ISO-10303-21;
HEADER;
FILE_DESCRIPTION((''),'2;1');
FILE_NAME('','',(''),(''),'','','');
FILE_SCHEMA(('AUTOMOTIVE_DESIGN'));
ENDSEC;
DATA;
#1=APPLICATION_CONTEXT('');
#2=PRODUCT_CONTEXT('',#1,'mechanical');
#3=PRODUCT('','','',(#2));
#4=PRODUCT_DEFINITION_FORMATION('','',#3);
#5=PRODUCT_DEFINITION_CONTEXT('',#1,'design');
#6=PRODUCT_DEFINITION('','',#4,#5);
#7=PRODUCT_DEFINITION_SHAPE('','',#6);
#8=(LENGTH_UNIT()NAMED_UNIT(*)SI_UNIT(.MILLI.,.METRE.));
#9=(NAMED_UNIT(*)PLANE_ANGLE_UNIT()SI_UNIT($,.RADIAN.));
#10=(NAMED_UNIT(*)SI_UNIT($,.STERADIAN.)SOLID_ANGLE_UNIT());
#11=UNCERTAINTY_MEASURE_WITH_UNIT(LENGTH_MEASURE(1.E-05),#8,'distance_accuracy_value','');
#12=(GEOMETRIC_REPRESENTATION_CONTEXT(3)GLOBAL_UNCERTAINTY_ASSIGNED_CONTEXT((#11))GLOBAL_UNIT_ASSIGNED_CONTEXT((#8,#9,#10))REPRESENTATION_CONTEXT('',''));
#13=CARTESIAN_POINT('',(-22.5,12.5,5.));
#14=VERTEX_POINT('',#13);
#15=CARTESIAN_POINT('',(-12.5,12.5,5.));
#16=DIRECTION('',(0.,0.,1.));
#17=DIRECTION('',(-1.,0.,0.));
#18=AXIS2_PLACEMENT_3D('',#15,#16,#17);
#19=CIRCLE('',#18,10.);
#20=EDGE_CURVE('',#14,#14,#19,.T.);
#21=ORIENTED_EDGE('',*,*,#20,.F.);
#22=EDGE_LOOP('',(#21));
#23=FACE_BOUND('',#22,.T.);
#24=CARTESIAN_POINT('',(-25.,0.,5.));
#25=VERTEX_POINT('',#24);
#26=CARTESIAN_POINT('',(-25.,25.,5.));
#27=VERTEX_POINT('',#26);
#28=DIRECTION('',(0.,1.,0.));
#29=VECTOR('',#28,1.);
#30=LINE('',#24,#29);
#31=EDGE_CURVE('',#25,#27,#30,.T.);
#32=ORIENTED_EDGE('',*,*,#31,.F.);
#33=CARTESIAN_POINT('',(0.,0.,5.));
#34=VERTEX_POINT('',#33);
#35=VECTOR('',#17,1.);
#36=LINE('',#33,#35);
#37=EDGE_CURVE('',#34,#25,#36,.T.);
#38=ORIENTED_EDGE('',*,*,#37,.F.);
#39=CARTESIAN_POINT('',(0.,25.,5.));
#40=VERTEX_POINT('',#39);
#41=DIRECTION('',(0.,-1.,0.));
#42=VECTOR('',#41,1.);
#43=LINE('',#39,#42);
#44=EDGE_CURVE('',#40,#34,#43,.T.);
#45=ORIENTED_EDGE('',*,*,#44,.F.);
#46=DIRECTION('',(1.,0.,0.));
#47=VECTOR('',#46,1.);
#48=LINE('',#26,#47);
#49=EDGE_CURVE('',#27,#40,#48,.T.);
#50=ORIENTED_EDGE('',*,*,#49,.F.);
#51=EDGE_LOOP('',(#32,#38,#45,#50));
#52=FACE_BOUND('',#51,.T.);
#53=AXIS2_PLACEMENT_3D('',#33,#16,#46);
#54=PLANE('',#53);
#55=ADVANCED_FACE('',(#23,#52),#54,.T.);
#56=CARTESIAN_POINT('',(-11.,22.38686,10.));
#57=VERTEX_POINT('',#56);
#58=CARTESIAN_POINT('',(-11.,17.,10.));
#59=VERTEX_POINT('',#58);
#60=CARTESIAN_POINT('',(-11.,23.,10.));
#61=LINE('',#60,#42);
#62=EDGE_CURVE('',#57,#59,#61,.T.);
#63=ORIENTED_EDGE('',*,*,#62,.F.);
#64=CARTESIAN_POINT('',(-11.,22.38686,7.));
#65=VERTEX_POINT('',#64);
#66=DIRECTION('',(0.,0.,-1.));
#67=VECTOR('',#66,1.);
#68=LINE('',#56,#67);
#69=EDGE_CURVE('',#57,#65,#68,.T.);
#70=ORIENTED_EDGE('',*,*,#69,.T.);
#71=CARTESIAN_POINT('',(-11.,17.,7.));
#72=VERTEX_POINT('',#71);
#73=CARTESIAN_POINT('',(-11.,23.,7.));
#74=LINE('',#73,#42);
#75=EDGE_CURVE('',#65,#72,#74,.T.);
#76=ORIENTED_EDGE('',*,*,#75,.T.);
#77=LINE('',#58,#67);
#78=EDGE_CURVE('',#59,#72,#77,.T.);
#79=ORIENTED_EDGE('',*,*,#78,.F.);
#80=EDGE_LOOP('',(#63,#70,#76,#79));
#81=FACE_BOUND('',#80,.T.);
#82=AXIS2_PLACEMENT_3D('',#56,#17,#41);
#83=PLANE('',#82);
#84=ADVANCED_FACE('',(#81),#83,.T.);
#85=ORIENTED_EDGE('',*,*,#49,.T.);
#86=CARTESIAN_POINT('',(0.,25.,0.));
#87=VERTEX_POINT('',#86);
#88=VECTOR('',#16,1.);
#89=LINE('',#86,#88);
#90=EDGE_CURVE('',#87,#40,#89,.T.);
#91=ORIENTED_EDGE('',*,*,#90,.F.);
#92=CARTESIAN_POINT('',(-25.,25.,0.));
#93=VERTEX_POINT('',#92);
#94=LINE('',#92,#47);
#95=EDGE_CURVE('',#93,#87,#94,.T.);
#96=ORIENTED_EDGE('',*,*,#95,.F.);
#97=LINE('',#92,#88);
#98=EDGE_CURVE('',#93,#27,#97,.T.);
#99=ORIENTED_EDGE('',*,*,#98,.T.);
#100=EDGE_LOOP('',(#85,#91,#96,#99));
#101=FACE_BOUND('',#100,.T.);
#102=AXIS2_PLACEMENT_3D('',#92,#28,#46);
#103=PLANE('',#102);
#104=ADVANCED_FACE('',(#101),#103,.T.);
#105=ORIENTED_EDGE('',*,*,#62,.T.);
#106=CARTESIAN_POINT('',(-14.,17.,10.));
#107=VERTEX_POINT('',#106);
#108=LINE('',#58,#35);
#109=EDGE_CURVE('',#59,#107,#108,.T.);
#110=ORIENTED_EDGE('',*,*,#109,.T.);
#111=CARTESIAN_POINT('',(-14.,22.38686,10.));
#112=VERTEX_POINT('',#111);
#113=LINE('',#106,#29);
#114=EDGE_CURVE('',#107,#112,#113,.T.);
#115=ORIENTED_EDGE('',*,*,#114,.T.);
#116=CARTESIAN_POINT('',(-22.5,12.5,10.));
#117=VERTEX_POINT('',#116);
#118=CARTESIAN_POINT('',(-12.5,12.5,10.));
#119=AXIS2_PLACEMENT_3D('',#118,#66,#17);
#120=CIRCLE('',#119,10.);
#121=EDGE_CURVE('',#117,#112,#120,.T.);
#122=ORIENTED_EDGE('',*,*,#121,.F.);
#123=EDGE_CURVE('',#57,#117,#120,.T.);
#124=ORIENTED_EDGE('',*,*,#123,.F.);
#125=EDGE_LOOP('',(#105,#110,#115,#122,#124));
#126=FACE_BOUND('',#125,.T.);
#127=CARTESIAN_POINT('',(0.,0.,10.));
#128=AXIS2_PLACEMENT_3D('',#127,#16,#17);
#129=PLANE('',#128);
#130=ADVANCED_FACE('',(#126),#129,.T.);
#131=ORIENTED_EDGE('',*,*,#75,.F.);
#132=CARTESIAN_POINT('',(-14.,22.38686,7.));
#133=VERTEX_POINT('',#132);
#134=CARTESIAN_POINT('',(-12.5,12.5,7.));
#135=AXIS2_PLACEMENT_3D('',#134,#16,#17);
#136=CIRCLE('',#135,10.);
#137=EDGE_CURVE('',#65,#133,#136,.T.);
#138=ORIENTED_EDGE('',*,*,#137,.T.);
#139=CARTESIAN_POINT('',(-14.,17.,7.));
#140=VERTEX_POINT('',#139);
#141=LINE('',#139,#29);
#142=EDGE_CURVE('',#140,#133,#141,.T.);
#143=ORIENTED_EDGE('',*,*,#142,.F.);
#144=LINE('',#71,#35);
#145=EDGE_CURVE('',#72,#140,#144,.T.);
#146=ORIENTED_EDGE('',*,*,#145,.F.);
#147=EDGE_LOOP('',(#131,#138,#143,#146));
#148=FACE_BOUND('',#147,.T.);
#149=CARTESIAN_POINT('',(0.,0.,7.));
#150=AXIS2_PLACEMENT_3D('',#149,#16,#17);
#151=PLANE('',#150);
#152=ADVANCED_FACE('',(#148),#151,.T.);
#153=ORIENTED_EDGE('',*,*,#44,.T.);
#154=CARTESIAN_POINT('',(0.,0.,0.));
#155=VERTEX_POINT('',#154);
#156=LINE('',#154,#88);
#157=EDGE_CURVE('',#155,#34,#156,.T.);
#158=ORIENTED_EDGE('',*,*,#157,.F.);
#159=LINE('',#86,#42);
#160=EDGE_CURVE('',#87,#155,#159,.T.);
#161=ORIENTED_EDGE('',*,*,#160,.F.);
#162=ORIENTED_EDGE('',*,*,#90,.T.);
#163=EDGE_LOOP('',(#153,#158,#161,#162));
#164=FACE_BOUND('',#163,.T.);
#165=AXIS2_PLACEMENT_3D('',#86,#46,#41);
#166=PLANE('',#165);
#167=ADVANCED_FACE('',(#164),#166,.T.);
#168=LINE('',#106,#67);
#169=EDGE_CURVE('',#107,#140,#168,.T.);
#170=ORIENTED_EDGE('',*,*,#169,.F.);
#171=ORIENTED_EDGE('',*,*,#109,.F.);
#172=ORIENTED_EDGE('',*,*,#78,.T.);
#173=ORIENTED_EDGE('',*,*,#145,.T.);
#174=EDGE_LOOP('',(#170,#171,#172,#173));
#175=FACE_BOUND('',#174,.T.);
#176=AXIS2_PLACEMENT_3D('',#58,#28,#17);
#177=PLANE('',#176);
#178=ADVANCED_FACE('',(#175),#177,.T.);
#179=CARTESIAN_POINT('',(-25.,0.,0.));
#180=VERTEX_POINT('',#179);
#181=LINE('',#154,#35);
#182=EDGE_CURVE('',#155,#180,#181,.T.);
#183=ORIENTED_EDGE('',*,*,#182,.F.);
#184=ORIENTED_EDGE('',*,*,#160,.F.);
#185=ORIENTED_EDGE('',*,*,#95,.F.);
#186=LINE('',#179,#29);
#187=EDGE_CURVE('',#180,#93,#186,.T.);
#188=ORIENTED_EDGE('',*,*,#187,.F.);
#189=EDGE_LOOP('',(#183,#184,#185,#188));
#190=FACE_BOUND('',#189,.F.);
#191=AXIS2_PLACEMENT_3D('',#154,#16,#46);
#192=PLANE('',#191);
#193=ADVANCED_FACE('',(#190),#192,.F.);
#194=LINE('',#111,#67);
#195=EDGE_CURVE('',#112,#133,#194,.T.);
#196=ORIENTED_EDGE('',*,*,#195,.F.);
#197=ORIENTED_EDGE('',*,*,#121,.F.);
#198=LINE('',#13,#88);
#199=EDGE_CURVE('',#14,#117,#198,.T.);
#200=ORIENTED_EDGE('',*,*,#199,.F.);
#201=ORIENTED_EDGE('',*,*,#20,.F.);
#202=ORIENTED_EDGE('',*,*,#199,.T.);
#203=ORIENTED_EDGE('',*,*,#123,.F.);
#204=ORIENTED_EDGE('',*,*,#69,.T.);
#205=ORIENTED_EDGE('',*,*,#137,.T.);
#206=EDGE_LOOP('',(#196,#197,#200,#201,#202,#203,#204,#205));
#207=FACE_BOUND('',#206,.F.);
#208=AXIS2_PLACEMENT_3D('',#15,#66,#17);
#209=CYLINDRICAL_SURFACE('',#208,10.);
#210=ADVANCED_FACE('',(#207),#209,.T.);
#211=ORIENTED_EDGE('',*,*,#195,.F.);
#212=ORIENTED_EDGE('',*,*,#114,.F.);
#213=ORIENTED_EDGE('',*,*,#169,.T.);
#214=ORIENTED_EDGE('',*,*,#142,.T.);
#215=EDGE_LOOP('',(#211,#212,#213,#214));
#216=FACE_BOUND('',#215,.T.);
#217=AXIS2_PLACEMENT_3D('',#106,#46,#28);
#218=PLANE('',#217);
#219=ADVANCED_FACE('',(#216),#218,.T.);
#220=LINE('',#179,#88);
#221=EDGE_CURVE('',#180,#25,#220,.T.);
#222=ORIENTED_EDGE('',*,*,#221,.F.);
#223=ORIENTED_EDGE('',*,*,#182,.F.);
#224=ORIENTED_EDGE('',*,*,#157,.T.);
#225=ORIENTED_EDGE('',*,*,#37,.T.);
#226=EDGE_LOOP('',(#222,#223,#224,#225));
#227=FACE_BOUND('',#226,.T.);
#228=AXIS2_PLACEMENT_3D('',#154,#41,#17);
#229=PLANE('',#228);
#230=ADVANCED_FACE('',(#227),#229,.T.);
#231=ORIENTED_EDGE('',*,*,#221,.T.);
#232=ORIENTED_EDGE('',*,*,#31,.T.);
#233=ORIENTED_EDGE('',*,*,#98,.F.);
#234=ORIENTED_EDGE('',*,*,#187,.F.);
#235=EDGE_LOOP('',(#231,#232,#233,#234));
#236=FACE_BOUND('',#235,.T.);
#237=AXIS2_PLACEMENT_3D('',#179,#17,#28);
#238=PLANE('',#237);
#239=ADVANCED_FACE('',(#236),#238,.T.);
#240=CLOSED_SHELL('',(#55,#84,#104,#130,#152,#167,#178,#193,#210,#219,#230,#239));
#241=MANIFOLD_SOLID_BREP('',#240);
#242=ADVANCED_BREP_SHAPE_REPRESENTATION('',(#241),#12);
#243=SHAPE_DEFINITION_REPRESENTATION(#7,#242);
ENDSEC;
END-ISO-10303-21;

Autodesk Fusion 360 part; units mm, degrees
sketch "Sketch1" plane through (0, 0, 0) normal (0, 0, 1) x (1, 0, 0)
  line L0 (0, 0) -> (-25, 0)
  line L1 (-25, 0) -> (-25, 25)
  line L2 (-25, 25) -> (0, 25)
  line L3 (0, 25) -> (0, 0)
  dimension "d1" = 25
  dimension "d2" = 25
extrude "Extrude1" add sketch "Sketch1" along normal blind 5
sketch "Sketch2" plane through (0, 0, 5) normal (0, 0, 1) x (-1, 0, 0)
  line L0 (0, -25) -> (25, -25)
  line L1 (25, -25) -> (25, 0)
  line L2 (25, 0) -> (0, 0)
  line L3 (0, 0) -> (0, -25)
  line L4 (12.5, -25) -> (12.5, 0)
  line L5 (12.5, -12.5) -> (0, -12.5)
  circle A0 centre (12.5, -12.5) radius 10
  dimension "d5" = 20
extrude "Extrude2" add sketch "Sketch2" along normal blind 5 contours L4 L5 A0 | L4 A0 | L4 L5 A0
sketch "Sketch3" plane through (0, 0, 10) normal (0, 0, 1) x (-1, 0, 0)
  circle A0 centre (12.5, -12.5) radius 10
  line L0 (11, -17) -> (14, -17)
  line L1 (14, -17) -> (14, -23)
  line L2 (14, -23) -> (11, -23)
  line L3 (11, -23) -> (11, -17)
extrude "Extrude3" cut sketch "Sketch3" against normal blind 3 contours A0 L0 L1 L3 picked at (12.6672, -18.8291)
